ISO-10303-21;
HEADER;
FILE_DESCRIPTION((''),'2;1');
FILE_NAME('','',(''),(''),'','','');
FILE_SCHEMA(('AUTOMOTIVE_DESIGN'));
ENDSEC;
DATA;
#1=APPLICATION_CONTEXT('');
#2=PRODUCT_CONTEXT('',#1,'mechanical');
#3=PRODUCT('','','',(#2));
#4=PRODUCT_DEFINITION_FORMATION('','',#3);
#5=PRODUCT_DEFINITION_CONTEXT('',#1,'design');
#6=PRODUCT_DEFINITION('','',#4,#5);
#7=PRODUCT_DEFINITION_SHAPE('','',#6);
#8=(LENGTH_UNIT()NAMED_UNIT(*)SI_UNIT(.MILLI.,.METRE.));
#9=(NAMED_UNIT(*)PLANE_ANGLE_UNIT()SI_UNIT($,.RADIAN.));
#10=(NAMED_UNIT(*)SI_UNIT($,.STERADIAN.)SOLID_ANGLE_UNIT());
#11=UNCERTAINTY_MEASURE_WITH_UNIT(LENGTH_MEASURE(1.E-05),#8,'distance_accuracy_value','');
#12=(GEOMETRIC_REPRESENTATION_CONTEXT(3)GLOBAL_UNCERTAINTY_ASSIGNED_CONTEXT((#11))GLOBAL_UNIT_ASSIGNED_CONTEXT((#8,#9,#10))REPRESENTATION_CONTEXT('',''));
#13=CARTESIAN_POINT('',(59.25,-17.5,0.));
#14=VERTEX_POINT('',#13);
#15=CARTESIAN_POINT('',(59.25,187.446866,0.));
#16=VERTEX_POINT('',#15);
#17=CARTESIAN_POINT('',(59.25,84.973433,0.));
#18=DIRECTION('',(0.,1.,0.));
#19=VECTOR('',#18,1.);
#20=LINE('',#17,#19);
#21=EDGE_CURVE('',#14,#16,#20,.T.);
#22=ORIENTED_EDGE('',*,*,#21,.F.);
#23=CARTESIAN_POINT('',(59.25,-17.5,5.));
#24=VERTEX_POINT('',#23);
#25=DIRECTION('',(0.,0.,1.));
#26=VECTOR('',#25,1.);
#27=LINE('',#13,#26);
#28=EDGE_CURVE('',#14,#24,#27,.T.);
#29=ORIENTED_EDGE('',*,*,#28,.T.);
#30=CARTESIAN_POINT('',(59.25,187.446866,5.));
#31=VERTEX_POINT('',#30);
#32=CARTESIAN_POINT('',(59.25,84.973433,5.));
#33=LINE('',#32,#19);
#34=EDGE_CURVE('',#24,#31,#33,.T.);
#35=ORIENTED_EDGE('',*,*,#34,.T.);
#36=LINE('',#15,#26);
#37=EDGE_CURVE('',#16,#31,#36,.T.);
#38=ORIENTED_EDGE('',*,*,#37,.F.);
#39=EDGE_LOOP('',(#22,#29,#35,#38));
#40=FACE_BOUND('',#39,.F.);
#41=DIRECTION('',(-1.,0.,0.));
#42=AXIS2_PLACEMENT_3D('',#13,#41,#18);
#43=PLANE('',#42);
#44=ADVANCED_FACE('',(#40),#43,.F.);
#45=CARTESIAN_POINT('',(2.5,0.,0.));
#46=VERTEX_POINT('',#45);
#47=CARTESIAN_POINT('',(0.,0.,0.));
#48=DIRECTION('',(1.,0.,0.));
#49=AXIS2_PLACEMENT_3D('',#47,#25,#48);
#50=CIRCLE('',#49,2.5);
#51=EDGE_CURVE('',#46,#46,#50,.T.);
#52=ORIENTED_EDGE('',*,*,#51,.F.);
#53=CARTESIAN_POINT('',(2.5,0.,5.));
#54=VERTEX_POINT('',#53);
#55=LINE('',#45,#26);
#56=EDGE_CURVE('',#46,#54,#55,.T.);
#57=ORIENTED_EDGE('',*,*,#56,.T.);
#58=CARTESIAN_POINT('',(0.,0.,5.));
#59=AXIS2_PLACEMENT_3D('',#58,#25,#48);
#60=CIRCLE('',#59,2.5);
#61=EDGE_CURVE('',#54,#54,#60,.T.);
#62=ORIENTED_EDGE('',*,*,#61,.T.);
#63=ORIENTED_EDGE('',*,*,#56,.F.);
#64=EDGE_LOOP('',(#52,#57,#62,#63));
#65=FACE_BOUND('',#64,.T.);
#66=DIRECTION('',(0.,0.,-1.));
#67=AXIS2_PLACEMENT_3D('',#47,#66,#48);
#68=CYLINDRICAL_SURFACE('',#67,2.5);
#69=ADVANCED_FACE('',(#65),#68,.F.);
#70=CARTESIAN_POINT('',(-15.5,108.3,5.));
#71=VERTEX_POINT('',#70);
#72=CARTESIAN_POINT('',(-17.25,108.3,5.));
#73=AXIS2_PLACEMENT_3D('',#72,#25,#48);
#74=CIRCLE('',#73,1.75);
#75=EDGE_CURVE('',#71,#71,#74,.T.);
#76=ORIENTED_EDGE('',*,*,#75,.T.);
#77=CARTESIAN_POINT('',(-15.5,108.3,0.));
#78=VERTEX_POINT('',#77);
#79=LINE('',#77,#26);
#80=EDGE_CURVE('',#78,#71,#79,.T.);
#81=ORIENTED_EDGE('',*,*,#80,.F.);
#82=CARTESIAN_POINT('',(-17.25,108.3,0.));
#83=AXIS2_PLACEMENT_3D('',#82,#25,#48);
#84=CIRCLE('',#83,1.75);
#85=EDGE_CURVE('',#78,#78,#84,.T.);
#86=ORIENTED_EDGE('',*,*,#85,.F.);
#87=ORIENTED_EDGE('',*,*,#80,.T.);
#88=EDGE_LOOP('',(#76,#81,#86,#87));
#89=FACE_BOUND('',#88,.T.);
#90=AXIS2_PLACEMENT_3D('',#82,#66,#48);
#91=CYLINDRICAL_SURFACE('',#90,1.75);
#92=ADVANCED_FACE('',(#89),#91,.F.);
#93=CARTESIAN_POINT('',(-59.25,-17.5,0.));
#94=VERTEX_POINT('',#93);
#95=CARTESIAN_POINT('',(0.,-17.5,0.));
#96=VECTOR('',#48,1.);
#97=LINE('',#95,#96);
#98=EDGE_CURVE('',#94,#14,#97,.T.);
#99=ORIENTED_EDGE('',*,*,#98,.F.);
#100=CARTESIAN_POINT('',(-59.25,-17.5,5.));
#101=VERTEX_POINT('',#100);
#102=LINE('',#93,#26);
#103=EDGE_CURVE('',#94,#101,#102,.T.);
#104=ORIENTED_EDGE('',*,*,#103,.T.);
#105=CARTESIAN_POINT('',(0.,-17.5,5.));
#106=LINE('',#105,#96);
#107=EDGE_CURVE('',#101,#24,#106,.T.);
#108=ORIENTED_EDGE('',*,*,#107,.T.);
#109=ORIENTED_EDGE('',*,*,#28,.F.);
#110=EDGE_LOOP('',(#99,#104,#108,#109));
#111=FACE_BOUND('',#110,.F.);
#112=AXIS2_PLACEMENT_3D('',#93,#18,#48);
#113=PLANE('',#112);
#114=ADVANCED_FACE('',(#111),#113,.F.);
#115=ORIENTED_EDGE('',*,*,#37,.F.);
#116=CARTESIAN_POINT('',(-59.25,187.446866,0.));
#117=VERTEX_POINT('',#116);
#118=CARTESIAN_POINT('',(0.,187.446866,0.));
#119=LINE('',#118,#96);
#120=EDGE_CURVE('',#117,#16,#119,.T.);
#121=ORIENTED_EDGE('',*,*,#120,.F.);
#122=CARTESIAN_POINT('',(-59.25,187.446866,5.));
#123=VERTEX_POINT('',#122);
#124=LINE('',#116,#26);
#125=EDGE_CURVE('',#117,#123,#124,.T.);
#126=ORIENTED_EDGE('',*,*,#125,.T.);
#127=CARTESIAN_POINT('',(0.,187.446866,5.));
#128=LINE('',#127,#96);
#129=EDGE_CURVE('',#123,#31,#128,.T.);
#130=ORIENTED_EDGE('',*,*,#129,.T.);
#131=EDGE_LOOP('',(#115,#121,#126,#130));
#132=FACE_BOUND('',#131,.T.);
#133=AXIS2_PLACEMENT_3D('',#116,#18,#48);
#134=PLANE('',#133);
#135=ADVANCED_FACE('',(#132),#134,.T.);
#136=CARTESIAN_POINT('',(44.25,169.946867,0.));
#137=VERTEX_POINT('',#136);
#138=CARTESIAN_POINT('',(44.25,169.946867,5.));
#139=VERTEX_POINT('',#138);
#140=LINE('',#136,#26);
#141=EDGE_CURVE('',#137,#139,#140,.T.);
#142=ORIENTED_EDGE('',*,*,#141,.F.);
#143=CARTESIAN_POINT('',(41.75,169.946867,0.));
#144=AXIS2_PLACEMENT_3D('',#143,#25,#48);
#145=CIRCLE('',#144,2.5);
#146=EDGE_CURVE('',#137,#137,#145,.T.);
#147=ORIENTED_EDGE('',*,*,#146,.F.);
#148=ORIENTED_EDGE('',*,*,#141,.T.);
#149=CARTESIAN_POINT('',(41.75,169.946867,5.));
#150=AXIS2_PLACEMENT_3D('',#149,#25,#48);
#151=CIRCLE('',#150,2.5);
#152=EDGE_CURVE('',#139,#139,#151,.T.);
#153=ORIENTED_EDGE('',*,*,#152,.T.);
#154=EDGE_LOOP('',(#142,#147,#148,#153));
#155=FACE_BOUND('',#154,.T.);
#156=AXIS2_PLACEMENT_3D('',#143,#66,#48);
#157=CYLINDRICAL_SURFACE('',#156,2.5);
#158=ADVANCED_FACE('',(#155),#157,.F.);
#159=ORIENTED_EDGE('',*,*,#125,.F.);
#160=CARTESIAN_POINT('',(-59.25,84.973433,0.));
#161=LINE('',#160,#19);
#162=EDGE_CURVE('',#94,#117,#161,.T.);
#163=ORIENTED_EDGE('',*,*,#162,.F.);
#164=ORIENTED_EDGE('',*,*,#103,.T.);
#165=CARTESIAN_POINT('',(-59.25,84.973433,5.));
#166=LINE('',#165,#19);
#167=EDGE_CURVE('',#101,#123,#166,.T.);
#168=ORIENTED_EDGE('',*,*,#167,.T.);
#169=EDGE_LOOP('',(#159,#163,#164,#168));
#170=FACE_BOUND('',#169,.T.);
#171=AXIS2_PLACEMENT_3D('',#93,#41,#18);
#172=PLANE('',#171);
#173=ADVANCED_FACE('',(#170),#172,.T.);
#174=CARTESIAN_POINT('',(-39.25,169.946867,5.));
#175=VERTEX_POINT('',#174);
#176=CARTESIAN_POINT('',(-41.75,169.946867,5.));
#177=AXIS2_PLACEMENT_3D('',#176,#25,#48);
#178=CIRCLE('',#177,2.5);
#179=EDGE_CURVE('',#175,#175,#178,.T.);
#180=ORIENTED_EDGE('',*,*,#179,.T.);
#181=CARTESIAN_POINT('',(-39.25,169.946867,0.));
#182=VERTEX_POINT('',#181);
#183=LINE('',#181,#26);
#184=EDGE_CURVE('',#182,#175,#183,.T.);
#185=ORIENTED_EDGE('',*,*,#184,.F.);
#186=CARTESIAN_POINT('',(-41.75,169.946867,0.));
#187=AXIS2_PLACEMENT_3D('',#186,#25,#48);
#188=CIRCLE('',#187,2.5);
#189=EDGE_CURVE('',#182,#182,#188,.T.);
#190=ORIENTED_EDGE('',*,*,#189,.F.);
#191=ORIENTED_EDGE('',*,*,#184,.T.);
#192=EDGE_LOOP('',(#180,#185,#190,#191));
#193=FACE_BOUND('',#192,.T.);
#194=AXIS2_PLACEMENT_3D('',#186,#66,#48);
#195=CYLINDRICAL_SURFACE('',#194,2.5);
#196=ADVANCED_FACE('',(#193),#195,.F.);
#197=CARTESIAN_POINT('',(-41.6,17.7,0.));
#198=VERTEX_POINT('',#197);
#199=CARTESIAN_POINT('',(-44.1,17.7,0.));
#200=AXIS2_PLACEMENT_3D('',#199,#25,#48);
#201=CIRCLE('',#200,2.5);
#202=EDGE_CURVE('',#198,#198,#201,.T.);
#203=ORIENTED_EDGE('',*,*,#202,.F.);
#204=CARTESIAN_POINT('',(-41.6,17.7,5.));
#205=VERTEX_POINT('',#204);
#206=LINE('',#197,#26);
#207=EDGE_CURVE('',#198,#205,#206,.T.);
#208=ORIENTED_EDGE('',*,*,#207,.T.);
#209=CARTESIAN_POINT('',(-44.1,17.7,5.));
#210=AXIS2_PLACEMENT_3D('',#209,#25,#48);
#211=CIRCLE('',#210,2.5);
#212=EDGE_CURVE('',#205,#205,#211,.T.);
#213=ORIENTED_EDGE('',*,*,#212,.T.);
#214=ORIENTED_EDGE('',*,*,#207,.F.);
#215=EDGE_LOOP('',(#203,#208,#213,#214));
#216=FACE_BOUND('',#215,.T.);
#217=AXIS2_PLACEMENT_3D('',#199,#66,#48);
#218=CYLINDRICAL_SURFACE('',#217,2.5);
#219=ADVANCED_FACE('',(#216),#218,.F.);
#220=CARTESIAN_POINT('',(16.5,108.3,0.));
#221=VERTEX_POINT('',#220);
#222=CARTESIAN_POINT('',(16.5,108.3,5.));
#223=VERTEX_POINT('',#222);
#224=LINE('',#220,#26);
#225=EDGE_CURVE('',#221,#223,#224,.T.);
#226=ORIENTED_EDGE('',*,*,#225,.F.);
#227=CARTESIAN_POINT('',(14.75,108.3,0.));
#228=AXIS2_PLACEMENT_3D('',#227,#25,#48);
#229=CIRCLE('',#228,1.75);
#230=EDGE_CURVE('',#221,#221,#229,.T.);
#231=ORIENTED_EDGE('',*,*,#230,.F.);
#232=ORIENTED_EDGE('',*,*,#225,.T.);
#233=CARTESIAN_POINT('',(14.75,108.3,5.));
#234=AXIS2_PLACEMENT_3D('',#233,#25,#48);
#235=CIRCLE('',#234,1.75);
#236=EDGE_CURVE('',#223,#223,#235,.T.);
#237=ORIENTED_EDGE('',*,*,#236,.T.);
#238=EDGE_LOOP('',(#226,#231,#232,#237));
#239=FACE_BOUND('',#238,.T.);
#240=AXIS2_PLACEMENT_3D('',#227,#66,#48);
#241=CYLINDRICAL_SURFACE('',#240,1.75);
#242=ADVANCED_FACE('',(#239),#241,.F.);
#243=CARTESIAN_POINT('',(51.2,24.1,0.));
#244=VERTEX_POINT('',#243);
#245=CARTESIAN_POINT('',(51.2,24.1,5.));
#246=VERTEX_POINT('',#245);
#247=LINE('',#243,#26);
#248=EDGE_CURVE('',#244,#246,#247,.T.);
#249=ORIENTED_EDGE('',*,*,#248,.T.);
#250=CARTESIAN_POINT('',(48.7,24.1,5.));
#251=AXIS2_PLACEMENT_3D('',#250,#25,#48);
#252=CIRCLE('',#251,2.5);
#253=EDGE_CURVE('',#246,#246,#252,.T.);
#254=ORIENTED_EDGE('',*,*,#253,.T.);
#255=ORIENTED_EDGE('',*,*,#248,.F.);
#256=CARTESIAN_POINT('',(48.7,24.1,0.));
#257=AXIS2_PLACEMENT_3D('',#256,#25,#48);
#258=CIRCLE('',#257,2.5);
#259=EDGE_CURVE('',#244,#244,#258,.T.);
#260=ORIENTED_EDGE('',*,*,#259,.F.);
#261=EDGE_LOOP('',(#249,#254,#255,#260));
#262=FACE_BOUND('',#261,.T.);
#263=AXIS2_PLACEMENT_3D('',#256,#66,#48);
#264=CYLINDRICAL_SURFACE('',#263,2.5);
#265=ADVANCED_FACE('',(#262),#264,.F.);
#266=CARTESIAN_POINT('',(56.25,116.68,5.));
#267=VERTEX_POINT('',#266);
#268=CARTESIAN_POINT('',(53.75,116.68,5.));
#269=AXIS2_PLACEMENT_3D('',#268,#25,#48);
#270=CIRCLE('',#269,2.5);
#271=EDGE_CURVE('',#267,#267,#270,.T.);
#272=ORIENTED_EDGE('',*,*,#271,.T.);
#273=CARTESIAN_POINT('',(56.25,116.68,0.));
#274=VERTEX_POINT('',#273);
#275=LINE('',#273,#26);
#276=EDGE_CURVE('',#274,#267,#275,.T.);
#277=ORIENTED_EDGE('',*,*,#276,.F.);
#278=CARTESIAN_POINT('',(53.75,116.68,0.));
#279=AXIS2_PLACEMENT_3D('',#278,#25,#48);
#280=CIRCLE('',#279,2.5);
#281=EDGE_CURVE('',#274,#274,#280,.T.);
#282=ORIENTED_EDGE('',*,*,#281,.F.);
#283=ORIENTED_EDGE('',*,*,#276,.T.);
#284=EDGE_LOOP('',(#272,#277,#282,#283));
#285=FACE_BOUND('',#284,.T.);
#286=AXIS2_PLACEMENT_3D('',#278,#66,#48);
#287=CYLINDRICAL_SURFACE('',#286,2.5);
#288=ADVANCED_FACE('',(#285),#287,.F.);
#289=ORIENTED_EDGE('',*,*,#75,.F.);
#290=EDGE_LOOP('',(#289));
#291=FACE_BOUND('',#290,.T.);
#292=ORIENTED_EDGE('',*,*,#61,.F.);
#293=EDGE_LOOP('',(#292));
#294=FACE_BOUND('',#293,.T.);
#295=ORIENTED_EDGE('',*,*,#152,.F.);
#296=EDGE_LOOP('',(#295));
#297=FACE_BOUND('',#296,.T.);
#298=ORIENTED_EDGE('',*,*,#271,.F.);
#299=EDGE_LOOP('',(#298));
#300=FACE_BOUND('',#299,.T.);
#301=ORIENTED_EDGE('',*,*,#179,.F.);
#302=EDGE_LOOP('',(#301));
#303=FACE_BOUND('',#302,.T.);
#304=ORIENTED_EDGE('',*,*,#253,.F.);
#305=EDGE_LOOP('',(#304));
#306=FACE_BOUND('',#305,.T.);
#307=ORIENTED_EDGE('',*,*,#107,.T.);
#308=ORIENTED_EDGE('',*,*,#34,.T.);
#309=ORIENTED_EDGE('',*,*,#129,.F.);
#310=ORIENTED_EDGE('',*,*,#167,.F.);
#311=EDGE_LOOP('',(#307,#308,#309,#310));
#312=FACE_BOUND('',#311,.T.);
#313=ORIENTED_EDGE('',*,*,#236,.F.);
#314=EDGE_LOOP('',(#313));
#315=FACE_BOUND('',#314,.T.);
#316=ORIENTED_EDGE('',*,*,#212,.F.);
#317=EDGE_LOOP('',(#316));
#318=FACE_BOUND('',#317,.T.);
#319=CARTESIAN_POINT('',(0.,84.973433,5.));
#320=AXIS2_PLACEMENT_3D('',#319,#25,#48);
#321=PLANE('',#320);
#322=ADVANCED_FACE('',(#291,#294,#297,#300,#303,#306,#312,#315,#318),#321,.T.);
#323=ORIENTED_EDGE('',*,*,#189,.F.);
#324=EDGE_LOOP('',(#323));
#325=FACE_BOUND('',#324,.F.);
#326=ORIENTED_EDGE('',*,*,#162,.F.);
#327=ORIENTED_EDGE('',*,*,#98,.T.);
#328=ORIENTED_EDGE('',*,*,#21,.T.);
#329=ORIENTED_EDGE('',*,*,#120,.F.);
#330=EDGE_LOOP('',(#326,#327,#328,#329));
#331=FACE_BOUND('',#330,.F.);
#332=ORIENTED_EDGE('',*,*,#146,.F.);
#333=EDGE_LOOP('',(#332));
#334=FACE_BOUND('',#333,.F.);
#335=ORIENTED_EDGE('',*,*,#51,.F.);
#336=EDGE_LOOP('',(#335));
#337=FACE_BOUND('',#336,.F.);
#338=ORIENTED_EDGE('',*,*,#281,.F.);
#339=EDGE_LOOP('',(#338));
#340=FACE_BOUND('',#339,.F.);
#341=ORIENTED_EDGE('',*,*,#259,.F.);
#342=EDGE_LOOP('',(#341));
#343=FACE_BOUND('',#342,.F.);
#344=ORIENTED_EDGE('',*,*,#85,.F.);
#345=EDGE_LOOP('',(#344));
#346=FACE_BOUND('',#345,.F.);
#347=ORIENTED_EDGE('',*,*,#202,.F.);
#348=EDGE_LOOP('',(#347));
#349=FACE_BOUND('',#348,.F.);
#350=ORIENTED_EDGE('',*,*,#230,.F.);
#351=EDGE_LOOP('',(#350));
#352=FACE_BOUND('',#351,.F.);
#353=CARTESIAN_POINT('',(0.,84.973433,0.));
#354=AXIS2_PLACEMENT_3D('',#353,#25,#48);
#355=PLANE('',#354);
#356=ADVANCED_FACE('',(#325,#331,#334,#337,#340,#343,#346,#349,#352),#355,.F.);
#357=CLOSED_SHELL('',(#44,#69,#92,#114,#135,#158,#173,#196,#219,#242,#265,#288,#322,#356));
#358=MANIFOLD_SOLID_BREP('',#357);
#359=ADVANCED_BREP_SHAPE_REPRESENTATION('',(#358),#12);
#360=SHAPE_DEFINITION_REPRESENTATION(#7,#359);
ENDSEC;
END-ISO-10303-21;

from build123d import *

# Parameters (mm, degrees)
F3_W     = 118.5
F3_H     = 204.946867
F3_R     = 2.5
F3_R_2   = 1.75
F4_DEPTH = 5


with BuildPart() as f4:
    # F3 (on Top) → F4 (new body)
    with BuildSketch(Plane.XY):
        with Locations((0, 84.973433)):
            Rectangle(F3_W, F3_H)
        with Locations((-44.1, 17.7)):
            Circle(F3_R, mode=Mode.SUBTRACT)
        Circle(F3_R, mode=Mode.SUBTRACT)
        with Locations((48.7, 24.1)):
            Circle(F3_R, mode=Mode.SUBTRACT)
        with Locations((-17.25, 108.3)):
            Circle(F3_R_2, mode=Mode.SUBTRACT)
        with Locations((-41.75, 169.946867)):
            Circle(F3_R, mode=Mode.SUBTRACT)
        with Locations((14.75, 108.3)):
            Circle(F3_R_2, mode=Mode.SUBTRACT)
        with Locations((53.75, 116.68)):
            Circle(F3_R, mode=Mode.SUBTRACT)
        with Locations((41.75, 169.946867)):
            Circle(F3_R, mode=Mode.SUBTRACT)
    extrude(amount=F4_DEPTH)


solid = f4.part
